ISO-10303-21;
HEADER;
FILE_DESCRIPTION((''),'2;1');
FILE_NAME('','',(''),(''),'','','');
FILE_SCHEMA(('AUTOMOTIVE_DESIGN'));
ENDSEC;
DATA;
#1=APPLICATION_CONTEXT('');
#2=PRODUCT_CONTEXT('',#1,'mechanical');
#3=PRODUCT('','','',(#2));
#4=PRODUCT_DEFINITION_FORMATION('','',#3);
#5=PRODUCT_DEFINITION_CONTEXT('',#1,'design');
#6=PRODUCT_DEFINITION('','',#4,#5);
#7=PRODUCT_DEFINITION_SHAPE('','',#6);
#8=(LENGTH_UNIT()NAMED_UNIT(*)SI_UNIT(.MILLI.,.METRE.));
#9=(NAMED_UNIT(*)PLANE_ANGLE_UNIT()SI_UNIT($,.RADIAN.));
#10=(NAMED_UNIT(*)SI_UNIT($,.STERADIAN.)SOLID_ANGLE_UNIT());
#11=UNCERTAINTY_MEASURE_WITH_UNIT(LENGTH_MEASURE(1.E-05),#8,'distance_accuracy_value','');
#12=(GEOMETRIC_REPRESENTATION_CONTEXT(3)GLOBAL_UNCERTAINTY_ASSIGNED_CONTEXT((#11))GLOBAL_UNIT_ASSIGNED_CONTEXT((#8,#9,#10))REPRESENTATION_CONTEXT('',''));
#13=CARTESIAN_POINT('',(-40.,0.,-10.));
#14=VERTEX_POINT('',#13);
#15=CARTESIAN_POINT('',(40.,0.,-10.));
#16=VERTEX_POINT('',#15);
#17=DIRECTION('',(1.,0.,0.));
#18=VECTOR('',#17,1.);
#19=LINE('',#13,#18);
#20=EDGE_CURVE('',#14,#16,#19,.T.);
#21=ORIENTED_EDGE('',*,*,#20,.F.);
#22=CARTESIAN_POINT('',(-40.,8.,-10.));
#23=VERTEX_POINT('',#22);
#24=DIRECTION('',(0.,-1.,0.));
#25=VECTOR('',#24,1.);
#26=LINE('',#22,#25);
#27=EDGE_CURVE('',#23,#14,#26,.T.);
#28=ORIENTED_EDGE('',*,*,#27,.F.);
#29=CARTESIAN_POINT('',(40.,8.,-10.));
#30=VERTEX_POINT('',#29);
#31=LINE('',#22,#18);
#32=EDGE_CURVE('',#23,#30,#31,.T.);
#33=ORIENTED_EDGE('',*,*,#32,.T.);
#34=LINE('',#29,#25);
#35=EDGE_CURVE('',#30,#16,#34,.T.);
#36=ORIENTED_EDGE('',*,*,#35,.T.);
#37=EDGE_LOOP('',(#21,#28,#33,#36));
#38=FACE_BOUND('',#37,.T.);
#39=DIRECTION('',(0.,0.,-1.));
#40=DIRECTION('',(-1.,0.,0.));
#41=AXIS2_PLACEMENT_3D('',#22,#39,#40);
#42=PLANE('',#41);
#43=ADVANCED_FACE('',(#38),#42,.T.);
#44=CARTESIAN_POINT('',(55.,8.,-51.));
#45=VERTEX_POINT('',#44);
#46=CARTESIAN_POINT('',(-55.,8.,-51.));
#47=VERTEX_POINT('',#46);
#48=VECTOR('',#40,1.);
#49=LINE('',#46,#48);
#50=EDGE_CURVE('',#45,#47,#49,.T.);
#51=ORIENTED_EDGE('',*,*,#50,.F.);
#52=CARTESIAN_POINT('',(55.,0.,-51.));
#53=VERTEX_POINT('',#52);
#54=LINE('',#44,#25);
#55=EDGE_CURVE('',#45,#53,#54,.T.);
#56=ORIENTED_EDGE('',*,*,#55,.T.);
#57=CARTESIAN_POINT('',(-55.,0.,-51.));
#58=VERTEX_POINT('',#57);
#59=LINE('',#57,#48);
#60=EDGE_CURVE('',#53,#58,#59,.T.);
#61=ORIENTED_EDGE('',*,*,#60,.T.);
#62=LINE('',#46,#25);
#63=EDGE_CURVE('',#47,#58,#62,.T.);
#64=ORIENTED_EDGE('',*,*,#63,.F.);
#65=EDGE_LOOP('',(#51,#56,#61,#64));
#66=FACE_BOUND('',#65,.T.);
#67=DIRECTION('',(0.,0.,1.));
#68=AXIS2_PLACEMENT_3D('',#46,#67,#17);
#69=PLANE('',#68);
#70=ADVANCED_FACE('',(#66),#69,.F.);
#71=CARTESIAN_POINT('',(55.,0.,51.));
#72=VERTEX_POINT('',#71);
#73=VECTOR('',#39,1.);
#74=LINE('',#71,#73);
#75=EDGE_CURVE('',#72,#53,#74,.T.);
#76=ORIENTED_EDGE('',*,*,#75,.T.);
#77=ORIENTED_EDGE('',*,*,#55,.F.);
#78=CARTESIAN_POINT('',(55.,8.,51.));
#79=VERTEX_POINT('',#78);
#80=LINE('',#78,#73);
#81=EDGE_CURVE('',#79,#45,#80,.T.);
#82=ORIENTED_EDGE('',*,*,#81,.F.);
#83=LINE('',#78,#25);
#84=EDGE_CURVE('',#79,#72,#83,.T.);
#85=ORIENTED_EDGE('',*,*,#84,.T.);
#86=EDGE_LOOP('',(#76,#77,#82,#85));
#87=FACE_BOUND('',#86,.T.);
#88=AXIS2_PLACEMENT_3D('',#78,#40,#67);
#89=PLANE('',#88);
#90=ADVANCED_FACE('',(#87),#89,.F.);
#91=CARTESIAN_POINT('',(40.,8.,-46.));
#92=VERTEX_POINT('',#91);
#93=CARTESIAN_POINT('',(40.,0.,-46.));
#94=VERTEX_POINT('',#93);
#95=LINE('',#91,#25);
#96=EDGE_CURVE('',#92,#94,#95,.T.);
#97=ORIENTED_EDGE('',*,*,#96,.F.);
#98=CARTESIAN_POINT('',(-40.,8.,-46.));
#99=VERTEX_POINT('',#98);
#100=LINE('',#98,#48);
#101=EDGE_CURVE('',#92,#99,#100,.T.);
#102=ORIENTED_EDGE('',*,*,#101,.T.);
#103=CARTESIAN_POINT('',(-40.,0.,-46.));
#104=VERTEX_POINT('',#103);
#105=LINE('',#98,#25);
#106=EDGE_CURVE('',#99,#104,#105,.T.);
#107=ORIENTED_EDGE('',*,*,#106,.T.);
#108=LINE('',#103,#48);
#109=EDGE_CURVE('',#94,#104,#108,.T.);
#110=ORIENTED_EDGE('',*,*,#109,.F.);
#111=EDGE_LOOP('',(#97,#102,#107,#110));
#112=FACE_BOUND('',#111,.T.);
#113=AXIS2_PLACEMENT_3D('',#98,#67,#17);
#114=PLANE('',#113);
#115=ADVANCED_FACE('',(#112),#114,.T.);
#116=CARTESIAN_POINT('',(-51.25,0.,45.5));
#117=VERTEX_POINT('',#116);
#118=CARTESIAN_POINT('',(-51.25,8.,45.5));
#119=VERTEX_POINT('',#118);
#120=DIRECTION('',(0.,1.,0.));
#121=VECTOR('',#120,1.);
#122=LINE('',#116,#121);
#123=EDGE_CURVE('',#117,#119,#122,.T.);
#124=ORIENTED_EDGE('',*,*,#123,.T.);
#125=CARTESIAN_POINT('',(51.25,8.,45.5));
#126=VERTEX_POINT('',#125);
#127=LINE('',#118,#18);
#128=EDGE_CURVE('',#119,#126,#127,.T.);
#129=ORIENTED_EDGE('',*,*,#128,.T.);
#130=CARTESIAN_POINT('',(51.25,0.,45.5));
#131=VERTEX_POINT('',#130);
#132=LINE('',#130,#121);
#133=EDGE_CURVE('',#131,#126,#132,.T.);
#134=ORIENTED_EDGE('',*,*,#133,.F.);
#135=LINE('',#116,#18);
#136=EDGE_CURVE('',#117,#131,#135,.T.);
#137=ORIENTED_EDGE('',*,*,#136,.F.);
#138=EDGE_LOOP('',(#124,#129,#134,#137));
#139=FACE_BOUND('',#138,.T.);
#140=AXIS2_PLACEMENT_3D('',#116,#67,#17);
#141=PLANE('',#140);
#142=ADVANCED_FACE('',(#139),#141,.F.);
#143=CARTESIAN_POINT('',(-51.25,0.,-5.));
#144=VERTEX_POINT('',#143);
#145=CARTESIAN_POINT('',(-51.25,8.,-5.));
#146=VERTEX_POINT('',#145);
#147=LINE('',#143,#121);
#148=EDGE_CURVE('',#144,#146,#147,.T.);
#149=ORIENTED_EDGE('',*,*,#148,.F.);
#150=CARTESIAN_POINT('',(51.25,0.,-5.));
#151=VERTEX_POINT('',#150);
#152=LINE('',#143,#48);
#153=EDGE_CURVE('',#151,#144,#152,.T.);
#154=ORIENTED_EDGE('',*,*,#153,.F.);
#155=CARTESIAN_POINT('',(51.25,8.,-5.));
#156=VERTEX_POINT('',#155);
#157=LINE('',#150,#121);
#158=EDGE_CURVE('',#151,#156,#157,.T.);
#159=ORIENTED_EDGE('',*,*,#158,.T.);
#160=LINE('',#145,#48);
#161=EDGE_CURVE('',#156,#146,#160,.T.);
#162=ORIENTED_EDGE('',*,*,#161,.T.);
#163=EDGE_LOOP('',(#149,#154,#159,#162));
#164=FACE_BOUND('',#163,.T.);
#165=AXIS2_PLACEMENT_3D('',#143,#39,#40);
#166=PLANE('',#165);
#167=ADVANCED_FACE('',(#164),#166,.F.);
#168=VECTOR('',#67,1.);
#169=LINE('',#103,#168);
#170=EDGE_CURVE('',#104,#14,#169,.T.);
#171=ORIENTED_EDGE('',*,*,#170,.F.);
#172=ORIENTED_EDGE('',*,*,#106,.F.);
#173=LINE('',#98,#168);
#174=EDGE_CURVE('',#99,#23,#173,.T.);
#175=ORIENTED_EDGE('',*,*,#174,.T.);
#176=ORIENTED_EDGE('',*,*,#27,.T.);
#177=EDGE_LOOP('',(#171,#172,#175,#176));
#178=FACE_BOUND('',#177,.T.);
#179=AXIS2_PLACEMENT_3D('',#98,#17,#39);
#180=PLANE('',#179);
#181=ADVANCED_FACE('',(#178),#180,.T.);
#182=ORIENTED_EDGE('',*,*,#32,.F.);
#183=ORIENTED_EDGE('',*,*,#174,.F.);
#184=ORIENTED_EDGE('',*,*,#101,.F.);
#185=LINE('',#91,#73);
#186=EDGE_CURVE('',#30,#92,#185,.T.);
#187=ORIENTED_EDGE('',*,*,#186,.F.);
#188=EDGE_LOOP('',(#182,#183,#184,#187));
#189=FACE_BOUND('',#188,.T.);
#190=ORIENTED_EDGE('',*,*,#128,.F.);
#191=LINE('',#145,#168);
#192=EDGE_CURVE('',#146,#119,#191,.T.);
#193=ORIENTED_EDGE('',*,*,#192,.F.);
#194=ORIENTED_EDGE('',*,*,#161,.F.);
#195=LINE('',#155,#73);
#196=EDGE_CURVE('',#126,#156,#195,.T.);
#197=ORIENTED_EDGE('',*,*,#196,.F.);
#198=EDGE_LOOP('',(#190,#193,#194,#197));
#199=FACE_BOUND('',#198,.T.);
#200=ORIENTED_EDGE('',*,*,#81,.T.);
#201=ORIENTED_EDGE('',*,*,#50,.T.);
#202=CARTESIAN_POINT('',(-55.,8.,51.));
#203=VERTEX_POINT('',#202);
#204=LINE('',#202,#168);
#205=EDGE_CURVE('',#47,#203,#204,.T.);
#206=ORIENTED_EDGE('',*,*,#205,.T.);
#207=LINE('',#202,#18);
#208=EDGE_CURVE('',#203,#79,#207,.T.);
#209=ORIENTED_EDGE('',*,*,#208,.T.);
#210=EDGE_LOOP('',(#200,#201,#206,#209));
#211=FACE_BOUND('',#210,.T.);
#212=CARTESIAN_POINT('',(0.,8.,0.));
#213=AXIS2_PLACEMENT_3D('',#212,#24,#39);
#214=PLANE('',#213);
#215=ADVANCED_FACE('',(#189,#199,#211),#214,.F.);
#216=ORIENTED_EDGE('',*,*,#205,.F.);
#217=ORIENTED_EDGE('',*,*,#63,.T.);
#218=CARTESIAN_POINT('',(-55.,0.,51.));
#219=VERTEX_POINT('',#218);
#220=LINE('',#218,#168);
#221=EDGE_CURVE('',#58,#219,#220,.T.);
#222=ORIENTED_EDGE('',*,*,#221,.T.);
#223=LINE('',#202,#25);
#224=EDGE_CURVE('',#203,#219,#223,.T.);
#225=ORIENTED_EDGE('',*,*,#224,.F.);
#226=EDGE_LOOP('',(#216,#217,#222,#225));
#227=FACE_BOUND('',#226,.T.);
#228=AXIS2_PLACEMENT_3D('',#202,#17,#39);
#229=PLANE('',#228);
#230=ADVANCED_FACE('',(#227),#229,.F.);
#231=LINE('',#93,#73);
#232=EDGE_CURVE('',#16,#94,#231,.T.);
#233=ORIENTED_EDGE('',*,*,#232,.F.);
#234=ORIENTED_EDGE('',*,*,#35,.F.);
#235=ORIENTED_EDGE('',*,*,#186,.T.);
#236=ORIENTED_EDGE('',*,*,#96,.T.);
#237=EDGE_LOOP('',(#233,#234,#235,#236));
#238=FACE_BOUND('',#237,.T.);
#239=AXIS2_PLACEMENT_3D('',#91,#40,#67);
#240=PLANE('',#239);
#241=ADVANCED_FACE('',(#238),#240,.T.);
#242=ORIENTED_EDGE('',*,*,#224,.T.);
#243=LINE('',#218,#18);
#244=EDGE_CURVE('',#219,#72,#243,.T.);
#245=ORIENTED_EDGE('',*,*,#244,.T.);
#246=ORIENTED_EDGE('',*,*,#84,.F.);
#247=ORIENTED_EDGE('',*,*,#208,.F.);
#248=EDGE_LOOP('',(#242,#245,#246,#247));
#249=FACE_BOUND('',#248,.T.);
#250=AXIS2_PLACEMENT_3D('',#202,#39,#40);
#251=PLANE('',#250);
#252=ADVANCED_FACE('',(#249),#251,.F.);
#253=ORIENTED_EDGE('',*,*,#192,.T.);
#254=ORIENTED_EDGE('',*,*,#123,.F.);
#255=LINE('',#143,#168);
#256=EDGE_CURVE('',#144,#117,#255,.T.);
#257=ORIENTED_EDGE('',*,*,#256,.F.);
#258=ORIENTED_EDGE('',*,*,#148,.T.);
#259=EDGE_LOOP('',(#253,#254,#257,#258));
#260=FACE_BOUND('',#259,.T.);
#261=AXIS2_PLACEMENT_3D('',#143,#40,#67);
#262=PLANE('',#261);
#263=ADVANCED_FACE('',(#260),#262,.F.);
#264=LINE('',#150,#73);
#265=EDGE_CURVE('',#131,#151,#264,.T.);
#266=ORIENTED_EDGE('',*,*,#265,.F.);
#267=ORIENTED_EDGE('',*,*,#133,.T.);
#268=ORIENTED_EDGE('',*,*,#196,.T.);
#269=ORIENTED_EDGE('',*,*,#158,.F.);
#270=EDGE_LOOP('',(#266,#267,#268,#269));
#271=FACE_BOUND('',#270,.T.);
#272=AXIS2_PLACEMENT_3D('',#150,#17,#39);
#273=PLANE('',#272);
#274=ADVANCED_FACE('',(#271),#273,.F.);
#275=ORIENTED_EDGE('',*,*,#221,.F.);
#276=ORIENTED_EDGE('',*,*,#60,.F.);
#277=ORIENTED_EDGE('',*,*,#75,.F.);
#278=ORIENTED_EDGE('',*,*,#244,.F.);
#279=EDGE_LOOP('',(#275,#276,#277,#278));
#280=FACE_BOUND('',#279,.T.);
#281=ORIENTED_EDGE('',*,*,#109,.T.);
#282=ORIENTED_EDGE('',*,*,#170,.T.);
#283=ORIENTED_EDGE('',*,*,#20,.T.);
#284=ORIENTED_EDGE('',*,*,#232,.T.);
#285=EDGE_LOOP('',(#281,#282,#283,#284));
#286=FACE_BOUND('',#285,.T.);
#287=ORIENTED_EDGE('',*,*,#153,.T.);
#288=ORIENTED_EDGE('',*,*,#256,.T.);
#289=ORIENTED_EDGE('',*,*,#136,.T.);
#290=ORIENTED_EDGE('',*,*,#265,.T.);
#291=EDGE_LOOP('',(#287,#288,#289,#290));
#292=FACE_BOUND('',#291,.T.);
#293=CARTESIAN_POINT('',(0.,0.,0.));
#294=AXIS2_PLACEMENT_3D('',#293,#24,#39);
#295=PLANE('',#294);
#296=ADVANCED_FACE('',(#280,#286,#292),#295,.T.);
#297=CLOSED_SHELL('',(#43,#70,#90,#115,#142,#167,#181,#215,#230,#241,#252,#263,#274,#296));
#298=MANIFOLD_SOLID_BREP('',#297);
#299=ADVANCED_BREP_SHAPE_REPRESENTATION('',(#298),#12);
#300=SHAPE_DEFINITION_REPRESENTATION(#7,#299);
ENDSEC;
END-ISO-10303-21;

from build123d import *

# Parameters (mm, degrees)
SKETCH1_W           = 110
SKETCH1_H           = 102
SKETCH1_W_2         = 80
SKETCH1_H_2         = 36
BOSS_EXTRUDE1_DEPTH = 8
SKETCH2_W           = 102.5
SKETCH2_H           = 50.5
CUT_EXTRUDE1_DEPTH  = 8


with BuildPart() as part:
    # Sketch1 → Boss-Extrude1 (new body)
    with BuildSketch(Plane(origin=(0, 0, 0), x_dir=(1, 0, 0), z_dir=(0, 1, 0))):
        Rectangle(SKETCH1_W, SKETCH1_H)
        with Locations((0, 28)):
            Rectangle(SKETCH1_W_2, SKETCH1_H_2, mode=Mode.SUBTRACT)
    extrude(amount=BOSS_EXTRUDE1_DEPTH)

    # Sketch2 → Cut-Extrude1 (cut)
    with BuildSketch(Plane(origin=(0, 8, 0), x_dir=(1, 0, 0), z_dir=(0, 1, 0))):
        with Locations((0, -20.25)):
            Rectangle(SKETCH2_W, SKETCH2_H)
    extrude(amount=-CUT_EXTRUDE1_DEPTH, mode=Mode.SUBTRACT)


solid = part.part
